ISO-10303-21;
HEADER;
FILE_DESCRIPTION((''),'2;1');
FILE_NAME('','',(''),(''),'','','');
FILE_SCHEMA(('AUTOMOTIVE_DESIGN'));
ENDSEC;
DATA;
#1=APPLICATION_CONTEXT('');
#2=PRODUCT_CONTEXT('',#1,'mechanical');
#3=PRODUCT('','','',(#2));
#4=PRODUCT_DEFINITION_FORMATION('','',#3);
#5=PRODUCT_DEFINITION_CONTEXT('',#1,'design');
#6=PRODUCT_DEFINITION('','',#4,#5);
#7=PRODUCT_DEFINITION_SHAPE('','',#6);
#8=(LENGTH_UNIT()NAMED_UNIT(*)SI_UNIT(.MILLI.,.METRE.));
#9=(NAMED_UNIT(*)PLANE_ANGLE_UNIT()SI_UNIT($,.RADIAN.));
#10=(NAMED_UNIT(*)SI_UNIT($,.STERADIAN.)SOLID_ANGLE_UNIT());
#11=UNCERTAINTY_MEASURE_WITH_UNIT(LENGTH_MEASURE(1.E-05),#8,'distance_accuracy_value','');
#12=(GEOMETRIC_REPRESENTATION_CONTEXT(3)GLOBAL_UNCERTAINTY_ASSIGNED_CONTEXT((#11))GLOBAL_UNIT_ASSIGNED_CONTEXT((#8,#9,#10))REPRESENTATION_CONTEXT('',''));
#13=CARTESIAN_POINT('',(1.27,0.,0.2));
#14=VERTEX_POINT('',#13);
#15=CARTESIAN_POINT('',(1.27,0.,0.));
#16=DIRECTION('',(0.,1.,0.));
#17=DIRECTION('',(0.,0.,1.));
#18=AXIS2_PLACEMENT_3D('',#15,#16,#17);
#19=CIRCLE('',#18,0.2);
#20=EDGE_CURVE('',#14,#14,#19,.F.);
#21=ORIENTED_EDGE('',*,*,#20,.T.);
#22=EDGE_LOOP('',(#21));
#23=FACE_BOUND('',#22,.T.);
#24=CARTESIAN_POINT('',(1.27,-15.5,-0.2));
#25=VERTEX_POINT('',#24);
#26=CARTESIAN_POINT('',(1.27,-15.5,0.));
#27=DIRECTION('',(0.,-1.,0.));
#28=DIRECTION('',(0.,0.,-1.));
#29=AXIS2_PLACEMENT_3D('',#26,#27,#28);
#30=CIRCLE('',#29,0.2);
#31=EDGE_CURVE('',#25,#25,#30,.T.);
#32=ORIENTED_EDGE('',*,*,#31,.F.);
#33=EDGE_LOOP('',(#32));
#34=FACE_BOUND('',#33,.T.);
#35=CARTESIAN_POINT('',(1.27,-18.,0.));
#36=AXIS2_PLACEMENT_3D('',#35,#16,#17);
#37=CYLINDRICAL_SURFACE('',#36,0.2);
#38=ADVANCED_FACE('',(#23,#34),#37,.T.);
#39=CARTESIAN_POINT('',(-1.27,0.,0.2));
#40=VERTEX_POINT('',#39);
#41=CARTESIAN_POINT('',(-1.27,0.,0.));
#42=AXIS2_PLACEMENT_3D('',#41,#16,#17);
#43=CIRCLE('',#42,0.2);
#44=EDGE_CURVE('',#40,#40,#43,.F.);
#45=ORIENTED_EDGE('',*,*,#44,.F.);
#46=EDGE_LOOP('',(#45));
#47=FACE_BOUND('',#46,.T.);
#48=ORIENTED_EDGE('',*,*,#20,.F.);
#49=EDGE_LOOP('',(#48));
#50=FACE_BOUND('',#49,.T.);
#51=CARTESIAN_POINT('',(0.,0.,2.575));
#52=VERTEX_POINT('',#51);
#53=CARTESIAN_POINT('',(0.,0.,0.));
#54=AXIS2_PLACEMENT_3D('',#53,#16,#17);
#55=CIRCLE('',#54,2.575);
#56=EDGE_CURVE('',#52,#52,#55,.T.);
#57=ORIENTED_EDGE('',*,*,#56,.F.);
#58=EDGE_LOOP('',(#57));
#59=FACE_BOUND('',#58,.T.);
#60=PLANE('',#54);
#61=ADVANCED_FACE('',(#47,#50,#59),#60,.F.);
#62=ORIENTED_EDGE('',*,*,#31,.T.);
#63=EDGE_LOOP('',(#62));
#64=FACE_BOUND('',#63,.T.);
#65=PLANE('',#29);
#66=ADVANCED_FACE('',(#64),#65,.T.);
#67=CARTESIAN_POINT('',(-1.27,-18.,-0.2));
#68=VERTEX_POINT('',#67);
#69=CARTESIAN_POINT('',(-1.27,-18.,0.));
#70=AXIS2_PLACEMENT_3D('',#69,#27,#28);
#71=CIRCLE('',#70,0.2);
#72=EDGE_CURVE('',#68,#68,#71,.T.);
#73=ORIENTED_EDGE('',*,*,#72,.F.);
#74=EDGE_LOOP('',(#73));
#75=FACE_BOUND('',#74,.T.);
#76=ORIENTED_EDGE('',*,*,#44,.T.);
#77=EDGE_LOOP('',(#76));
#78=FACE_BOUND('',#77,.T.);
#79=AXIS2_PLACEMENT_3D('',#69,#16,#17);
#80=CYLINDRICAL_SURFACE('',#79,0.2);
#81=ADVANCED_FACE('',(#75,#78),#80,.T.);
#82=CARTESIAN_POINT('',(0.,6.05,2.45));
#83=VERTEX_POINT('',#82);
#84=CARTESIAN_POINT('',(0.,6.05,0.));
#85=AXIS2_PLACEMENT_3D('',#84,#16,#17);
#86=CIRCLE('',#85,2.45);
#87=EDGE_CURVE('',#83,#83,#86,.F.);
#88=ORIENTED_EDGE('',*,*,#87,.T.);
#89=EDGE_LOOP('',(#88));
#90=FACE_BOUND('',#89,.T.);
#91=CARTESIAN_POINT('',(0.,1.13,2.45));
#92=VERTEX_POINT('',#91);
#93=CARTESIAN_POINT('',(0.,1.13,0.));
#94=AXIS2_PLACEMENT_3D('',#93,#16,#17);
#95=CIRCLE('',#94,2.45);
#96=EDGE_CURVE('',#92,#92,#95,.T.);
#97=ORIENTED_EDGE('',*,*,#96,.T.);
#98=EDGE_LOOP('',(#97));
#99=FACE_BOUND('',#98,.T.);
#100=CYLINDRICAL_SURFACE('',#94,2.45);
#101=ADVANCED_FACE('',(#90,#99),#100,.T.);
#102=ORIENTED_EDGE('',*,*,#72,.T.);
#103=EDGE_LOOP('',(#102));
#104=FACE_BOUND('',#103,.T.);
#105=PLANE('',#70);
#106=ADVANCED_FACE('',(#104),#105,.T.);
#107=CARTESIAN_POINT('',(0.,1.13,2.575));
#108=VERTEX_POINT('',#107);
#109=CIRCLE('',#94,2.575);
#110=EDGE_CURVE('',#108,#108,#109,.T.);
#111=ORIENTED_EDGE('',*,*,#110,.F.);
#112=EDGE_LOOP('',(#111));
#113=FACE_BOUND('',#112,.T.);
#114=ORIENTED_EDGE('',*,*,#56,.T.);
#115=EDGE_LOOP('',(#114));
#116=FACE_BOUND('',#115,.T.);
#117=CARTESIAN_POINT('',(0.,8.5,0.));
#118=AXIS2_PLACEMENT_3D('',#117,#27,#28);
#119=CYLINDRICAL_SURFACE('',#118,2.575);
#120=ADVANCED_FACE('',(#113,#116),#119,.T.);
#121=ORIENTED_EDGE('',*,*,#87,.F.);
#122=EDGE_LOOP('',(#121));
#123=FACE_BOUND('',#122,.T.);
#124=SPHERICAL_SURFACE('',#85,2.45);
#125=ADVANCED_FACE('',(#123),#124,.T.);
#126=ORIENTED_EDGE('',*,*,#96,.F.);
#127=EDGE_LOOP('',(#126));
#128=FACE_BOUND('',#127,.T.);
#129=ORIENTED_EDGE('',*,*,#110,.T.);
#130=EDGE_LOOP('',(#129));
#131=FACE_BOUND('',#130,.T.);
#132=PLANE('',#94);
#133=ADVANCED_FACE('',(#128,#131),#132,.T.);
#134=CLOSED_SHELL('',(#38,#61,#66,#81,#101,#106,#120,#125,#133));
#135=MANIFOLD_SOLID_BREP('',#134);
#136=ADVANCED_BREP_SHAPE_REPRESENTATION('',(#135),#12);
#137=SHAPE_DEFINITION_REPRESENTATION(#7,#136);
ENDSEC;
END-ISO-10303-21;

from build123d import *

# Parameters (mm, degrees)
SKETCH1_R           = 2.575
BOSS_EXTRUDE1_DEPTH = 8.5
SKETCH2_R           = 2.575
SKETCH2_R_2         = 2.45
CUT_EXTRUDE1_DEPTH  = 7.37
FILLET2_R           = 2.45
SKETCH4_R           = 0.2
BOSS_EXTRUDE4_DEPTH = 18
SKETCH6_R           = 0.225
CUT_EXTRUDE2_DEPTH  = 2.5


with BuildPart() as part:
    # Sketch1 → Boss-Extrude1 (new body)
    with BuildSketch(Plane(origin=(0, 0, 0), x_dir=(1, 0, 0), z_dir=(0, 1, 0))):
        Circle(SKETCH1_R)
    extrude(amount=BOSS_EXTRUDE1_DEPTH)

    # Sketch2 → Cut-Extrude1 (cut)
    with BuildSketch(Plane(origin=(0, 8.5, 0), x_dir=(1, 0, 0), z_dir=(0, 1, 0))):
        Circle(SKETCH2_R)
        Circle(SKETCH2_R_2, mode=Mode.SUBTRACT)
    extrude(amount=-CUT_EXTRUDE1_DEPTH, mode=Mode.SUBTRACT)

    # Fillet2
    fillet2_edges = [part.edges().sort_by_distance(p)[0] for p in [
        (-2.45, 8.5, 0),
    ]]
    fillet(fillet2_edges, radius=FILLET2_R)

    # Sketch4 → Boss-Extrude4 (add)
    with BuildSketch(Plane(origin=(0, 0, 0), x_dir=(-1, 0, 0), z_dir=(0, -1, 0))):
        with Locations((1.27, 0)):
            Circle(SKETCH4_R)
        with Locations((-1.27, 0)):
            Circle(SKETCH4_R)
    extrude(amount=BOSS_EXTRUDE4_DEPTH)

    # Sketch6 → Cut-Extrude2 (cut)
    with BuildSketch(Plane.XZ.offset(18)):
        with Locations((1.27, 0)):
            Circle(SKETCH6_R)
    extrude(amount=-CUT_EXTRUDE2_DEPTH, mode=Mode.SUBTRACT)


solid = part.part
